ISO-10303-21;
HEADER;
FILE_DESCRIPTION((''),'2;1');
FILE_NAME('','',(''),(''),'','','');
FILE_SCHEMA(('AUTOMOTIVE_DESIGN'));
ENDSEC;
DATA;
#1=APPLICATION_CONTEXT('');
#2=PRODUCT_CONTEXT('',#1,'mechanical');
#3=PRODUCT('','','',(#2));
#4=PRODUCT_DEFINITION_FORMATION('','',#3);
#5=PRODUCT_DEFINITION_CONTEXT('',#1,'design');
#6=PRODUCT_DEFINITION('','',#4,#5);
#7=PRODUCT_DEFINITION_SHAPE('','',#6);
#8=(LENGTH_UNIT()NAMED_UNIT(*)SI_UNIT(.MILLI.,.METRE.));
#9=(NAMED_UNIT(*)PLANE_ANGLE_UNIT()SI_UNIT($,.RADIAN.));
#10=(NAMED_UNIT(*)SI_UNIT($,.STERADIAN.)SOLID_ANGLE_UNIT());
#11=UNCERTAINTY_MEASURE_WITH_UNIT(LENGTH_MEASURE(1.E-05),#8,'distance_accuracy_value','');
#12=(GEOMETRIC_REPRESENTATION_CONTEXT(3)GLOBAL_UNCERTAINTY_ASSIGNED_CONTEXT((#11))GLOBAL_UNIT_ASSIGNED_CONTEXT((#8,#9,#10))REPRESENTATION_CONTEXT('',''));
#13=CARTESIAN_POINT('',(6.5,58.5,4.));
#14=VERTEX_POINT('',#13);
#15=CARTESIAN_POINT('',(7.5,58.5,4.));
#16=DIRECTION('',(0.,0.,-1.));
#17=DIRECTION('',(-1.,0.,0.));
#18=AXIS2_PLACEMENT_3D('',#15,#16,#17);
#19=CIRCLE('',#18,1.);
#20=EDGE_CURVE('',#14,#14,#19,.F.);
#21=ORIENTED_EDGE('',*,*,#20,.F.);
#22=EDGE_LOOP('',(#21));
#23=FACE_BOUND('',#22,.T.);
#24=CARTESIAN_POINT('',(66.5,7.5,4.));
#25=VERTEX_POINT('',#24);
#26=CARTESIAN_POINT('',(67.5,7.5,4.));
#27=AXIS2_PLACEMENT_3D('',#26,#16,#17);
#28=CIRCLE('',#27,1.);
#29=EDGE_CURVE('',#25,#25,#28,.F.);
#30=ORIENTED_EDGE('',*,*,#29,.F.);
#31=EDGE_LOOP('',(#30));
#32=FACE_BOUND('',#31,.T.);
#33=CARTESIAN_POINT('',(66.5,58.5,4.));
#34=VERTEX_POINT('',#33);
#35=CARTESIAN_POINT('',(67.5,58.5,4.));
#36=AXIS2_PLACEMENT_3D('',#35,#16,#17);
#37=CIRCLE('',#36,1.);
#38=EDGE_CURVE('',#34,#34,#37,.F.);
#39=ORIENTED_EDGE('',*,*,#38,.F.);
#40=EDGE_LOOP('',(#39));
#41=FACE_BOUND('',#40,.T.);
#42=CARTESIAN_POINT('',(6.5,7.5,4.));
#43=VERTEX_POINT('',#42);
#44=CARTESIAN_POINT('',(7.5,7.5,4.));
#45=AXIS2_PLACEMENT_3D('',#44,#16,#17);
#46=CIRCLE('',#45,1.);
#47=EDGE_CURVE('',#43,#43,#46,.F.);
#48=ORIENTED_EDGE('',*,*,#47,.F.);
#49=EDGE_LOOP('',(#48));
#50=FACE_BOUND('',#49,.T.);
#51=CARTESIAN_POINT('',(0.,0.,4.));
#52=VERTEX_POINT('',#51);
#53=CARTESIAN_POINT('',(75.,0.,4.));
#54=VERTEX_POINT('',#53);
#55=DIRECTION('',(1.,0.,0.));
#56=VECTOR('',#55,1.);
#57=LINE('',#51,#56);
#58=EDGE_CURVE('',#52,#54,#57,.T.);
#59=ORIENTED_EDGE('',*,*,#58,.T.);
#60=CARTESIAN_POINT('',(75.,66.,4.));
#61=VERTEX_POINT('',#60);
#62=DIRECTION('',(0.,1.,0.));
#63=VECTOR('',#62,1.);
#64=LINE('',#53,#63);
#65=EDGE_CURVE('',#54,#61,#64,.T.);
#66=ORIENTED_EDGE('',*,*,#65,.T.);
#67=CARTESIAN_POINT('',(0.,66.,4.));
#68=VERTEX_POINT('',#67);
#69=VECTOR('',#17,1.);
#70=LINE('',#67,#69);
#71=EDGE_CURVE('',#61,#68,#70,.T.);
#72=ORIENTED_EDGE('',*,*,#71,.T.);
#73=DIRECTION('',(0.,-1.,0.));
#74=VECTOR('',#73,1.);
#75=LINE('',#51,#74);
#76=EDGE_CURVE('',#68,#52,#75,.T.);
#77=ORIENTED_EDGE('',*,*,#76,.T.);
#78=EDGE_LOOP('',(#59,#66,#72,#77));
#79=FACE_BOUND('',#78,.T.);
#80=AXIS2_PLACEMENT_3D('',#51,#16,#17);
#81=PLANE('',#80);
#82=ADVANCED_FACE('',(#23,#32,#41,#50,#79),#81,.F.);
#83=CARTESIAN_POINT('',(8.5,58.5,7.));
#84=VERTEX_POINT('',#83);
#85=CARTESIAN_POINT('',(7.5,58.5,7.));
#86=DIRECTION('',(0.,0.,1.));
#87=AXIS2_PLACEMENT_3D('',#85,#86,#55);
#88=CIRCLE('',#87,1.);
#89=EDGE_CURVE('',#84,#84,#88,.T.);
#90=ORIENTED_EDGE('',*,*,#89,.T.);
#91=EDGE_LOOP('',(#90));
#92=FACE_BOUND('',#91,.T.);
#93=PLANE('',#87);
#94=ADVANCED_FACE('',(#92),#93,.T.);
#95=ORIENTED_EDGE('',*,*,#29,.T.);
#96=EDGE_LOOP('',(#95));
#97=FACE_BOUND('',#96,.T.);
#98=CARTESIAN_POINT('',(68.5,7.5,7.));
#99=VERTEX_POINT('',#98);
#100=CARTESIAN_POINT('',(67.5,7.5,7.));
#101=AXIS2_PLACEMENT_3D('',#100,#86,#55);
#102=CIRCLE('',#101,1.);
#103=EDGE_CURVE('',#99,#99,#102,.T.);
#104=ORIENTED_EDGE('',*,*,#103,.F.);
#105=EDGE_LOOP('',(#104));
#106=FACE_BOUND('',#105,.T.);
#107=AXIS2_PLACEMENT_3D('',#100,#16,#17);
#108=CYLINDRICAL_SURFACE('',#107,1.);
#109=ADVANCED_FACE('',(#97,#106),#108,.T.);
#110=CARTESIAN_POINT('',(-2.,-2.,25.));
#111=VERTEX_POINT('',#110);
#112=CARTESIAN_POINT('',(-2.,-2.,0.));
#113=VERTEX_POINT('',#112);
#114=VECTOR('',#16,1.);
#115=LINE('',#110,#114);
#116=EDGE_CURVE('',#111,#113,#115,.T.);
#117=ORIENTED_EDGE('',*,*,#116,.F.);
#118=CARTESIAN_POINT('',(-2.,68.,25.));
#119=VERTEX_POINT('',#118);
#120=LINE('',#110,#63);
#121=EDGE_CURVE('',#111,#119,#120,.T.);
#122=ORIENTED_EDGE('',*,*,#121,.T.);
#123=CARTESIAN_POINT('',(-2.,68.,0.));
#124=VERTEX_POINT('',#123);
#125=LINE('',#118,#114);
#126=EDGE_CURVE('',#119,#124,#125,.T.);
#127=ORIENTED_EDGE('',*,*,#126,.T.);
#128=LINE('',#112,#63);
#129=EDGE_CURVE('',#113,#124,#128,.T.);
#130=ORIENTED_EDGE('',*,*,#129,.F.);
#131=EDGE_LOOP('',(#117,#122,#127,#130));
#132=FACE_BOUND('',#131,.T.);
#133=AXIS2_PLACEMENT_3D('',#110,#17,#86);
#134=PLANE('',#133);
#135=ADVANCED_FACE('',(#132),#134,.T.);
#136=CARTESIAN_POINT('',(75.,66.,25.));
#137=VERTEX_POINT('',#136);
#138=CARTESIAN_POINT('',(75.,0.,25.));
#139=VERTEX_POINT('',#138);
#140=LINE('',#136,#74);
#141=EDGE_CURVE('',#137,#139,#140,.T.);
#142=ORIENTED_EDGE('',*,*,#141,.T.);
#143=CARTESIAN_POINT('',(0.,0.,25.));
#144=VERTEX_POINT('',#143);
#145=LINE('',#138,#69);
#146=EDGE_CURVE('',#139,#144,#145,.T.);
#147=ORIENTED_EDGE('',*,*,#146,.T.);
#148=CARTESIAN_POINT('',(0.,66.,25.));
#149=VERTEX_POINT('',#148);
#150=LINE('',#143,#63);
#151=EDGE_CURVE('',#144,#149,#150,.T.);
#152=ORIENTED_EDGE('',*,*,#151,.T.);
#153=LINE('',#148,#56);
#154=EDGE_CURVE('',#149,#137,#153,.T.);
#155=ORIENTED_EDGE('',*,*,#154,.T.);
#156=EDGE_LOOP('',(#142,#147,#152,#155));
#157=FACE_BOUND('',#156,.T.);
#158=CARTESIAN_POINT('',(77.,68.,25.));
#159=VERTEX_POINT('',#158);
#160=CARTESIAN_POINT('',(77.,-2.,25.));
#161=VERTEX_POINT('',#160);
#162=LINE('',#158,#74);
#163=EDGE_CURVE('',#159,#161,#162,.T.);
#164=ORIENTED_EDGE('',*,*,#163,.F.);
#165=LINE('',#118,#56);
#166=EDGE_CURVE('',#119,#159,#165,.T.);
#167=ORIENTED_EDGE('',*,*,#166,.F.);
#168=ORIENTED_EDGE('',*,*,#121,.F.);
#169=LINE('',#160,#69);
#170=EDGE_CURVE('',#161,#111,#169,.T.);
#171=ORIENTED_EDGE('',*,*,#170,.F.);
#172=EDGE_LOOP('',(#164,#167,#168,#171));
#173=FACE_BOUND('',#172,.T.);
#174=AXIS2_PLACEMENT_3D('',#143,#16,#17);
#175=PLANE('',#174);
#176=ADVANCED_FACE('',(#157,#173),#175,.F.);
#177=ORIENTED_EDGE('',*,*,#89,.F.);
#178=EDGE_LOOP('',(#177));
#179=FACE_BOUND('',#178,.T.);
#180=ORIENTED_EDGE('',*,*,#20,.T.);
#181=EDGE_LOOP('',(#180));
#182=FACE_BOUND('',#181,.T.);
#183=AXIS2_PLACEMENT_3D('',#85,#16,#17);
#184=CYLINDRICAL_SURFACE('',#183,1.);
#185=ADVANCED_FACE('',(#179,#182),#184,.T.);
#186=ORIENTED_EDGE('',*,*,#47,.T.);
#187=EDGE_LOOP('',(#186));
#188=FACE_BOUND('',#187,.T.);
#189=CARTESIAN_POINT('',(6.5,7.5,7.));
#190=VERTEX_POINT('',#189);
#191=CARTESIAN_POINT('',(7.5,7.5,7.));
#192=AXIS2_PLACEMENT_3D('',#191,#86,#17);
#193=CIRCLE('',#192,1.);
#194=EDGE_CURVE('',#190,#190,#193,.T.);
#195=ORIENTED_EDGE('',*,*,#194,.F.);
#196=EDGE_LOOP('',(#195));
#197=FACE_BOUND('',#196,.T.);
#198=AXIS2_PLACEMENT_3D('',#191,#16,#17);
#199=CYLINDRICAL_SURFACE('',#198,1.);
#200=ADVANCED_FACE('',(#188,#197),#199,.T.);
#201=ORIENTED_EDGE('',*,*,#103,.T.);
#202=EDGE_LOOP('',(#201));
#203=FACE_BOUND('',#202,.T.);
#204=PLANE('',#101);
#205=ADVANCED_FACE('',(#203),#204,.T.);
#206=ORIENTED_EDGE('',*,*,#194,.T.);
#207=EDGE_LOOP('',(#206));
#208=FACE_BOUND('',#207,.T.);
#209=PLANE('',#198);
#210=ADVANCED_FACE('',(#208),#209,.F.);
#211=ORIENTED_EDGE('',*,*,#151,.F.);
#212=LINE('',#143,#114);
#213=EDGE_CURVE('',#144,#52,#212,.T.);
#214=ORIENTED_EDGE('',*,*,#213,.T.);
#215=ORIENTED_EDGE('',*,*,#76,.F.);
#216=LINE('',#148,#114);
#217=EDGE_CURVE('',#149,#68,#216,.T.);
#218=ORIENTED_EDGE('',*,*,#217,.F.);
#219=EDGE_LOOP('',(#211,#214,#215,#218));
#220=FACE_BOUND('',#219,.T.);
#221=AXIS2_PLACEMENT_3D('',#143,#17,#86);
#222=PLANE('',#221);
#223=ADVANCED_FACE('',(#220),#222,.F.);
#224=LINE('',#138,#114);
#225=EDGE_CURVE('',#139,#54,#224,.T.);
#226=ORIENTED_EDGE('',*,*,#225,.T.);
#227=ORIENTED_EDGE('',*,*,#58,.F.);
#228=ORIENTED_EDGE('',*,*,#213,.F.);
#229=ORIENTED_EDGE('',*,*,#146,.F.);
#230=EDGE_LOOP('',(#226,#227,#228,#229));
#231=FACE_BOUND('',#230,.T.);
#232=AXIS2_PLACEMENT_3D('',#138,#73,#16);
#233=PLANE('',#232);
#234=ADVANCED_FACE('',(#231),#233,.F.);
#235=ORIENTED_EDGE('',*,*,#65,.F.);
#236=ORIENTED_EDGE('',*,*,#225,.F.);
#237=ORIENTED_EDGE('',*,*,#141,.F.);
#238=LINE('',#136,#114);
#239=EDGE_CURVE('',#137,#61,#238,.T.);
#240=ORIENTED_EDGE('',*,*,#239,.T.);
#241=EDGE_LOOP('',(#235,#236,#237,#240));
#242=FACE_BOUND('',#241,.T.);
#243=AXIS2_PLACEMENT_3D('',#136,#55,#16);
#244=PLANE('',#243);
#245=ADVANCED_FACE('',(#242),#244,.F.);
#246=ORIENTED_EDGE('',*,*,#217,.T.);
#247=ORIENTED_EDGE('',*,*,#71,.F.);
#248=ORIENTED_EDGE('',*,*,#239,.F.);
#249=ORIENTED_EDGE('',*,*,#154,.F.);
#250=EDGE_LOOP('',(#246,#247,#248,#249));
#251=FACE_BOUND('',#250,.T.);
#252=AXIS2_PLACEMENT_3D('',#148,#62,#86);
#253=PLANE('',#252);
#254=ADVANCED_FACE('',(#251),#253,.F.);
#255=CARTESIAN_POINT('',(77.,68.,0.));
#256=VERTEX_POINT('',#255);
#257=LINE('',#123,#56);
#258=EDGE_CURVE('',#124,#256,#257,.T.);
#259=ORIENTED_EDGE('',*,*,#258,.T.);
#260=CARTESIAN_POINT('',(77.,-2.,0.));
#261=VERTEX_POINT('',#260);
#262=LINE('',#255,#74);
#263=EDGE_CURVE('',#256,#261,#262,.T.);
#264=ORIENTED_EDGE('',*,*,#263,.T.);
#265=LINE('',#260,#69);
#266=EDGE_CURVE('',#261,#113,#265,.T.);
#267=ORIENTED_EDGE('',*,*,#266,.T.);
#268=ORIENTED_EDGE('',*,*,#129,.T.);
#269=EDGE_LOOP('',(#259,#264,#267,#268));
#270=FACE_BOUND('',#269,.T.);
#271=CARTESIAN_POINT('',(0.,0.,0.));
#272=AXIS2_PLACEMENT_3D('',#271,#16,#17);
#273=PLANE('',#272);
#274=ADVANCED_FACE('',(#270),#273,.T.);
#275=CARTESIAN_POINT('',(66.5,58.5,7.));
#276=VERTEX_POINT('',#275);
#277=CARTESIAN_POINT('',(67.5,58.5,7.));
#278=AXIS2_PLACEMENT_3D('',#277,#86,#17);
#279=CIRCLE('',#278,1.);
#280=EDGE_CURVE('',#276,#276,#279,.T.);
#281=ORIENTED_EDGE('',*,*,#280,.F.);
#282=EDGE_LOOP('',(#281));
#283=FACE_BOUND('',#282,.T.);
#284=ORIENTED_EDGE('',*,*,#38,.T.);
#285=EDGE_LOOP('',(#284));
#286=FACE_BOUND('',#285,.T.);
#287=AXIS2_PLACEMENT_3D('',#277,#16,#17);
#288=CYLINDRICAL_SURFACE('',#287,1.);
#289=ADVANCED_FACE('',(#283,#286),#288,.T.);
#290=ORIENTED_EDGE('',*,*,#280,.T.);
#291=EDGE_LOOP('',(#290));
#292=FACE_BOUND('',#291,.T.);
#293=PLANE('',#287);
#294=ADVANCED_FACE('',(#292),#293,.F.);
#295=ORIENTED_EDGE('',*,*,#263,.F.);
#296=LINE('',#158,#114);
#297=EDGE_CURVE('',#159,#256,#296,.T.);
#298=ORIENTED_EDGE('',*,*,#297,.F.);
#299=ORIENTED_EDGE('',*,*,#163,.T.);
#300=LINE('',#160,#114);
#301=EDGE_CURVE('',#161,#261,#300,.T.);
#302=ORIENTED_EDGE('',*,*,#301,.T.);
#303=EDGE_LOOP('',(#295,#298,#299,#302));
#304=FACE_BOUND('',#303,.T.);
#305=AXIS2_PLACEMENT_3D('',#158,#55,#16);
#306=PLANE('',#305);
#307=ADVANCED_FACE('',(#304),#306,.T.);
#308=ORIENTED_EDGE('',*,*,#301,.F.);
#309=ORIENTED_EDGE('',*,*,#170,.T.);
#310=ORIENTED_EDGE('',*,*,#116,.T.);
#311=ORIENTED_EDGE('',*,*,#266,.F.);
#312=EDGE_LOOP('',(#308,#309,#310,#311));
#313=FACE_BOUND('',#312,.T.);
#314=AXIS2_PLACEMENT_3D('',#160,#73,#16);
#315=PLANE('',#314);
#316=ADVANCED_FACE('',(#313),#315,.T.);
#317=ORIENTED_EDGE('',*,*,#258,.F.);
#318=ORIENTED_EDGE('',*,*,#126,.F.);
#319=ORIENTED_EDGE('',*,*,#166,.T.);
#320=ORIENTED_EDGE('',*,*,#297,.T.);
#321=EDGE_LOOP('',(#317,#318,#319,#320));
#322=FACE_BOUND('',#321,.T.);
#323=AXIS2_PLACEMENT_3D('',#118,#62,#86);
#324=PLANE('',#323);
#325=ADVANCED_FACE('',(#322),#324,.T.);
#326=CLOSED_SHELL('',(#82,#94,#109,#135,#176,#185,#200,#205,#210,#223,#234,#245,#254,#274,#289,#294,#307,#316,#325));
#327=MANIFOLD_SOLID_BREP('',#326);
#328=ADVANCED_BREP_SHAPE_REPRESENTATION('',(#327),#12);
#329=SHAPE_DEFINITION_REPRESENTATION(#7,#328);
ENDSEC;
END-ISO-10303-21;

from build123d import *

# Parameters (mm, degrees)
ESQUISSE1_W        = 75
ESQUISSE1_H        = 66
BOSS_EXTRU_1_DEPTH = 4
ESQUISSE2_R        = 1
BOSS_EXTRU_2_DEPTH = 3
ESQUISSE3_W        = 79
ESQUISSE3_H        = 70
ESQUISSE3_W_2      = 75
ESQUISSE3_H_2      = 66
BOSS_EXTRU_3_DEPTH = 25


with BuildPart() as part:
    # Esquisse1 → Boss.-Extru.1 (new body)
    with BuildSketch(Plane.XY):
        with Locations((37.5, 33)):
            Rectangle(ESQUISSE1_W, ESQUISSE1_H)
    extrude(amount=BOSS_EXTRU_1_DEPTH)

    # Esquisse2 → Boss.-Extru.2 (add)
    with BuildSketch(Plane.XY.offset(4)):
        with Locations(Location((67.5, 7.5, 0), (0, 0, 180))):
            Circle(ESQUISSE2_R)
        with Locations(Location((67.5, 58.5, 0), (0, 0, 180))):
            Circle(ESQUISSE2_R)
        with Locations(Location((7.5, 58.5, 0), (0, 0, 180))):
            Circle(ESQUISSE2_R)
        with Locations(Location((7.5, 7.5, 0), (0, 0, 180))):
            Circle(ESQUISSE2_R)
    extrude(amount=BOSS_EXTRU_2_DEPTH)

    # Esquisse3 → Boss.-Extru.3 (add)
    with BuildSketch(Plane(origin=(0, 0, 0), x_dir=(-1, 0, 0), z_dir=(0, 0, -1))):
        with Locations((-37.5, 33)):
            Rectangle(ESQUISSE3_W, ESQUISSE3_H)
        with Locations((-37.5, 33)):
            Rectangle(ESQUISSE3_W_2, ESQUISSE3_H_2, mode=Mode.SUBTRACT)
    extrude(amount=-BOSS_EXTRU_3_DEPTH)


solid = part.part
